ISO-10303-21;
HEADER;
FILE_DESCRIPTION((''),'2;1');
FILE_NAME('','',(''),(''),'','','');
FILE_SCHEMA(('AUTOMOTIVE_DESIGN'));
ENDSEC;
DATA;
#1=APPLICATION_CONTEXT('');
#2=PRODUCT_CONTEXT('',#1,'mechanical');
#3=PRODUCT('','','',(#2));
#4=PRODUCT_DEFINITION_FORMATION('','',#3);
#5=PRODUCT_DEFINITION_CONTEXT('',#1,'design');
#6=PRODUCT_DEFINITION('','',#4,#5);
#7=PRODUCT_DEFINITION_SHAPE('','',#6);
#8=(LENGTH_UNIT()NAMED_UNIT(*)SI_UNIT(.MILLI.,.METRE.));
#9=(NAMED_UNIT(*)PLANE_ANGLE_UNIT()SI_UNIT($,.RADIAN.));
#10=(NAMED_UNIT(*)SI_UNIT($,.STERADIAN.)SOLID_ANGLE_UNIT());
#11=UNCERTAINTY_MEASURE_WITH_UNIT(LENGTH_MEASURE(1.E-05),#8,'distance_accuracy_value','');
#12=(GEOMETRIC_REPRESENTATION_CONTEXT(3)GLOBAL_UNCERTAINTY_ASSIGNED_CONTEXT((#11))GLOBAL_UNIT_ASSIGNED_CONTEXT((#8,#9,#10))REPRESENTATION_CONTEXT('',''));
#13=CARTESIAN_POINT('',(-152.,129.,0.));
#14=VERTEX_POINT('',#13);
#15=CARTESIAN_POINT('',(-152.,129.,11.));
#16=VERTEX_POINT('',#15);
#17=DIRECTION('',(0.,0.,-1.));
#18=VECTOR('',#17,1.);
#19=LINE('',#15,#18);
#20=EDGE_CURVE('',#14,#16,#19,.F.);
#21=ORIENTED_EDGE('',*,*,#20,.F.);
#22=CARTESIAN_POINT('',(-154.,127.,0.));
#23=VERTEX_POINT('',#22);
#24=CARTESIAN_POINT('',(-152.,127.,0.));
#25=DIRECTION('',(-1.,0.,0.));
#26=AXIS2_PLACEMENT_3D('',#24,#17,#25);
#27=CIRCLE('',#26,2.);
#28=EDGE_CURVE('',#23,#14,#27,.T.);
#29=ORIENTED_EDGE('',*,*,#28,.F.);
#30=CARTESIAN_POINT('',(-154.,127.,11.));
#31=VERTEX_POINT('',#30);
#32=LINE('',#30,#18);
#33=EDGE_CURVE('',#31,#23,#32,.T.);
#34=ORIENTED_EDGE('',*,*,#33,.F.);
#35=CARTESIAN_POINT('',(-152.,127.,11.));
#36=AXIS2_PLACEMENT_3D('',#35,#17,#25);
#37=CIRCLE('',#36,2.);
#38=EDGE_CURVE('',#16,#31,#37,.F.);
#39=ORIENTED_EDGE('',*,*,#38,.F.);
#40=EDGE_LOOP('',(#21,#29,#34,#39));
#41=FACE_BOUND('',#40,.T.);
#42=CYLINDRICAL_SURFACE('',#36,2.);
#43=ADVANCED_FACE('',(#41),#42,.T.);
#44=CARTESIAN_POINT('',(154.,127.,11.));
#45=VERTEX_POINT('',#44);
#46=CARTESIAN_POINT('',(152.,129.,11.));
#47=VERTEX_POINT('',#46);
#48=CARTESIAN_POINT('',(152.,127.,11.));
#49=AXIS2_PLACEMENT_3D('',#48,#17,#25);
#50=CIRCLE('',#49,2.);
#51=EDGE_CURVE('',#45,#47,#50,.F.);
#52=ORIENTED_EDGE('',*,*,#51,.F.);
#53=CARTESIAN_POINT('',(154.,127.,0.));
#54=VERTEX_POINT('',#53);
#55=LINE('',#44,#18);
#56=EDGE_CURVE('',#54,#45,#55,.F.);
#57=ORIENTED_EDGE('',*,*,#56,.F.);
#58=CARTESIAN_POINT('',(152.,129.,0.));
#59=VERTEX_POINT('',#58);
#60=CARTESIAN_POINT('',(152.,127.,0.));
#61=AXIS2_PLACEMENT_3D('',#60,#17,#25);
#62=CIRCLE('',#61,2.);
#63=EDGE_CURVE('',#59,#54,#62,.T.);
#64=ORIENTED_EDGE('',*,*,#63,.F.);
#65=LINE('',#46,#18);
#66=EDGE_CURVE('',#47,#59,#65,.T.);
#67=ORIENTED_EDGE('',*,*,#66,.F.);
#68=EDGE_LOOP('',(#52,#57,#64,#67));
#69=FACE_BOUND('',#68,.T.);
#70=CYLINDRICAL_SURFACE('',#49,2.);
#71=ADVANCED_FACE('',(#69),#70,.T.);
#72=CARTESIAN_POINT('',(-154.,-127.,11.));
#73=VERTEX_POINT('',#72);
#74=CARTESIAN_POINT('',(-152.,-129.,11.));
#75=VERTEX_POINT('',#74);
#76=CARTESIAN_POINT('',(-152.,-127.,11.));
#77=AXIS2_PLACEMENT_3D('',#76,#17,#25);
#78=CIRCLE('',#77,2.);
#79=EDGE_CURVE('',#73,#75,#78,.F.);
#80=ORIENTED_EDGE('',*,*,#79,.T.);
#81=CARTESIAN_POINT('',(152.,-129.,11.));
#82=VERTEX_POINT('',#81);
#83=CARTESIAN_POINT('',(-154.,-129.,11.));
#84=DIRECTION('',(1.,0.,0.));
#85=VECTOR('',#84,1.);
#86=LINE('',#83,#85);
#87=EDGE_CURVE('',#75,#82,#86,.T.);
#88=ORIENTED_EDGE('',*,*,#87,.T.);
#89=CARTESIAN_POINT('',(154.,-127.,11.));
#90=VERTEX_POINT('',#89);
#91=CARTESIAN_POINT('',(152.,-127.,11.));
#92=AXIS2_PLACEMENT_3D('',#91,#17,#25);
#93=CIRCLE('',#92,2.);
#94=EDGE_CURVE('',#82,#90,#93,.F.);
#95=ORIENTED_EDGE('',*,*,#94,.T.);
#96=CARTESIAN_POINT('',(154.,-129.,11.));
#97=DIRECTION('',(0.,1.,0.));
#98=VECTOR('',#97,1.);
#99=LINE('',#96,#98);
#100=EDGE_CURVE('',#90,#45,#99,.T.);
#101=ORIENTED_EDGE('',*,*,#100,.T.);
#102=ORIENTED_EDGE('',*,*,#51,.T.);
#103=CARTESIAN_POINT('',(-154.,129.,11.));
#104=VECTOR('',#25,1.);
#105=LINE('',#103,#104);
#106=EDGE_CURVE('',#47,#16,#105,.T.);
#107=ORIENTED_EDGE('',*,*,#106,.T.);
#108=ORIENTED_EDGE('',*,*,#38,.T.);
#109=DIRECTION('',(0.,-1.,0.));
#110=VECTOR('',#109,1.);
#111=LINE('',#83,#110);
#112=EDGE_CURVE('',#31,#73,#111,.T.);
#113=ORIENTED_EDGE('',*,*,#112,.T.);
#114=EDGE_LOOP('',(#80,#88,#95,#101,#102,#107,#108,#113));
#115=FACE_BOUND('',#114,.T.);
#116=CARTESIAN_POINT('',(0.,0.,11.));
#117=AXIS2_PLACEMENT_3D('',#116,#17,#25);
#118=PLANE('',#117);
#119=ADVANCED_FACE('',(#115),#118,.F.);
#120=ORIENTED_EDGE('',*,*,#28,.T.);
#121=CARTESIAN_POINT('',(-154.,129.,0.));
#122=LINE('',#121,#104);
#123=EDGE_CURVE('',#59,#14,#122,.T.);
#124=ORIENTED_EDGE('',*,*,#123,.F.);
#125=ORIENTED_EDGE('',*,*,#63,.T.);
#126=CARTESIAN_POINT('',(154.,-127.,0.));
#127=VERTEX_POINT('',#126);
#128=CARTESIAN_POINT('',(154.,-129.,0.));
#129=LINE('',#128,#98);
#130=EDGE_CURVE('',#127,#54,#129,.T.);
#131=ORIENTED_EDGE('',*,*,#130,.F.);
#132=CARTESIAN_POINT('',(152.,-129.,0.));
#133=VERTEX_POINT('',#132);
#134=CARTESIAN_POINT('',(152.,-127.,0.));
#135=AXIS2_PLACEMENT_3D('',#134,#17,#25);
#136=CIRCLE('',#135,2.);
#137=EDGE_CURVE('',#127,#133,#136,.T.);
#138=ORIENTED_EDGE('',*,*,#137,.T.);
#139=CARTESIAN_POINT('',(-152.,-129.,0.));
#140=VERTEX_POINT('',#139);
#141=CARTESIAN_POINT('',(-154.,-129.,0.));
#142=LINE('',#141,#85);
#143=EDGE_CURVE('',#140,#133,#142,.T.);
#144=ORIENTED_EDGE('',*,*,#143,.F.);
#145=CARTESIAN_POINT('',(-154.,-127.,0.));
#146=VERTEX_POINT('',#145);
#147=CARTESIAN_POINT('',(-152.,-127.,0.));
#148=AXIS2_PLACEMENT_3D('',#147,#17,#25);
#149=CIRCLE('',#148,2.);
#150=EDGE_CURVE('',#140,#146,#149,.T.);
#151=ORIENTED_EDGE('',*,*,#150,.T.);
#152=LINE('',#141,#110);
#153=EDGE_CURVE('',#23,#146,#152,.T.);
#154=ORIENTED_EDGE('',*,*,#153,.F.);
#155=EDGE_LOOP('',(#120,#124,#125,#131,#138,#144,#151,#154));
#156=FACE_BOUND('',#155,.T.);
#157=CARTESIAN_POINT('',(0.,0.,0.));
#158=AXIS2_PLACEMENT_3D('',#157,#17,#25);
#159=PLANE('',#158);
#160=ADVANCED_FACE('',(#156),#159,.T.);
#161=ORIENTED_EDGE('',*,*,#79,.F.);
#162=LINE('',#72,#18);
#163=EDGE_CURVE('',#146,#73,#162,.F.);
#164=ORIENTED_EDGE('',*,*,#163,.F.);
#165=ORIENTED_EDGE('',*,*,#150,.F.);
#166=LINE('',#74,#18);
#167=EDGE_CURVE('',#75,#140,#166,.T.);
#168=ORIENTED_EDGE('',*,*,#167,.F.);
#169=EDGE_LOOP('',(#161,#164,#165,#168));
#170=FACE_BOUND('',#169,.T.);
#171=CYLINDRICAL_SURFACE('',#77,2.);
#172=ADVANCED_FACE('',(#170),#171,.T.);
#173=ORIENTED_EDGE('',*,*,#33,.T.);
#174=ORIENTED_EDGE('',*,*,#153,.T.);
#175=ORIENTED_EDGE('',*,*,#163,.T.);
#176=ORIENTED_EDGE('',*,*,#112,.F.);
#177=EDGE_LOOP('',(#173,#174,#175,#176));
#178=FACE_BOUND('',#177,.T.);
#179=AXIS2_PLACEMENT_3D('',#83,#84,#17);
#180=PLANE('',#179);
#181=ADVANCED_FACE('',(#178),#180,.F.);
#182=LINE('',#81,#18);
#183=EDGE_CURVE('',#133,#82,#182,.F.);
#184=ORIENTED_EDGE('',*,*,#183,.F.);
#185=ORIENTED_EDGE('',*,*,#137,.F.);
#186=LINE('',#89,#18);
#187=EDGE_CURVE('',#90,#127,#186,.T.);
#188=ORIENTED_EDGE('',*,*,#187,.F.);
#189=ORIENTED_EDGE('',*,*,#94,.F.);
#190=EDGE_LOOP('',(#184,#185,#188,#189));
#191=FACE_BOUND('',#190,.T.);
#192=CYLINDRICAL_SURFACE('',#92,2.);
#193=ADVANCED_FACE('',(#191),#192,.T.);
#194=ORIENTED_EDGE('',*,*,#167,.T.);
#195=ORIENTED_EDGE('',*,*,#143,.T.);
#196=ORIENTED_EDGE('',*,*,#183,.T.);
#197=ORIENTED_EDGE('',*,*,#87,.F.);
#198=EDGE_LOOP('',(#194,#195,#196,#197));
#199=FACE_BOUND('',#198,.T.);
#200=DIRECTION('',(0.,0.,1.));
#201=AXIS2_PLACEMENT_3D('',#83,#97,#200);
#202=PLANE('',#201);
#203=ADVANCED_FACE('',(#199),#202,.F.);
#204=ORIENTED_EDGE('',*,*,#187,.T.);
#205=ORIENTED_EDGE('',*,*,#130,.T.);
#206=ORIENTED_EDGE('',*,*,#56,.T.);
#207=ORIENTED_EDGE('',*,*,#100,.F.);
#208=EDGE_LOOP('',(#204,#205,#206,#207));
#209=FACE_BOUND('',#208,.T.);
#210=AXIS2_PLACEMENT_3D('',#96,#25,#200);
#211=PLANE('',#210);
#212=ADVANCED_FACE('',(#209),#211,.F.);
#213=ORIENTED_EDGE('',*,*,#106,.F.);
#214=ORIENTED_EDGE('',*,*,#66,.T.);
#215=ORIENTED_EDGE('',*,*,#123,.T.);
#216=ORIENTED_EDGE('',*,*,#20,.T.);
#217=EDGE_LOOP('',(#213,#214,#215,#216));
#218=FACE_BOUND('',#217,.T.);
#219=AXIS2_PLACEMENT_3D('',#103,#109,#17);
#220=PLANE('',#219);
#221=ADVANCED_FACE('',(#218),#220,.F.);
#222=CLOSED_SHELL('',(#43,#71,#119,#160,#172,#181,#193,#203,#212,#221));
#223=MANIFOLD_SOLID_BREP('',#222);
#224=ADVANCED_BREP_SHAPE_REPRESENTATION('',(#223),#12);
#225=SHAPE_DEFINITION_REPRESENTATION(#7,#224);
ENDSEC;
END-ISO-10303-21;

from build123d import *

# Parameters (mm, degrees)
SKETCH_1_W      = 308
SKETCH_1_H      = 258
EXTRUDE_1_DEPTH = 11
FILLET_1_R      = 2


with BuildPart() as part:
    # 草图1 → 凸台-拉伸1 (new body)
    with BuildSketch(Plane.XY):
        Rectangle(SKETCH_1_W, SKETCH_1_H)
    extrude(amount=EXTRUDE_1_DEPTH)

    # 圆角1
    fillet_1_edges = [part.edges().sort_by_distance(p)[0] for p in [
        (154, -129, 5.5),
        (-154, -129, 5.5),
        (-154, 129, 5.5),
        (154, 129, 5.5),
    ]]
    fillet(fillet_1_edges, radius=FILLET_1_R)


solid = part.part
